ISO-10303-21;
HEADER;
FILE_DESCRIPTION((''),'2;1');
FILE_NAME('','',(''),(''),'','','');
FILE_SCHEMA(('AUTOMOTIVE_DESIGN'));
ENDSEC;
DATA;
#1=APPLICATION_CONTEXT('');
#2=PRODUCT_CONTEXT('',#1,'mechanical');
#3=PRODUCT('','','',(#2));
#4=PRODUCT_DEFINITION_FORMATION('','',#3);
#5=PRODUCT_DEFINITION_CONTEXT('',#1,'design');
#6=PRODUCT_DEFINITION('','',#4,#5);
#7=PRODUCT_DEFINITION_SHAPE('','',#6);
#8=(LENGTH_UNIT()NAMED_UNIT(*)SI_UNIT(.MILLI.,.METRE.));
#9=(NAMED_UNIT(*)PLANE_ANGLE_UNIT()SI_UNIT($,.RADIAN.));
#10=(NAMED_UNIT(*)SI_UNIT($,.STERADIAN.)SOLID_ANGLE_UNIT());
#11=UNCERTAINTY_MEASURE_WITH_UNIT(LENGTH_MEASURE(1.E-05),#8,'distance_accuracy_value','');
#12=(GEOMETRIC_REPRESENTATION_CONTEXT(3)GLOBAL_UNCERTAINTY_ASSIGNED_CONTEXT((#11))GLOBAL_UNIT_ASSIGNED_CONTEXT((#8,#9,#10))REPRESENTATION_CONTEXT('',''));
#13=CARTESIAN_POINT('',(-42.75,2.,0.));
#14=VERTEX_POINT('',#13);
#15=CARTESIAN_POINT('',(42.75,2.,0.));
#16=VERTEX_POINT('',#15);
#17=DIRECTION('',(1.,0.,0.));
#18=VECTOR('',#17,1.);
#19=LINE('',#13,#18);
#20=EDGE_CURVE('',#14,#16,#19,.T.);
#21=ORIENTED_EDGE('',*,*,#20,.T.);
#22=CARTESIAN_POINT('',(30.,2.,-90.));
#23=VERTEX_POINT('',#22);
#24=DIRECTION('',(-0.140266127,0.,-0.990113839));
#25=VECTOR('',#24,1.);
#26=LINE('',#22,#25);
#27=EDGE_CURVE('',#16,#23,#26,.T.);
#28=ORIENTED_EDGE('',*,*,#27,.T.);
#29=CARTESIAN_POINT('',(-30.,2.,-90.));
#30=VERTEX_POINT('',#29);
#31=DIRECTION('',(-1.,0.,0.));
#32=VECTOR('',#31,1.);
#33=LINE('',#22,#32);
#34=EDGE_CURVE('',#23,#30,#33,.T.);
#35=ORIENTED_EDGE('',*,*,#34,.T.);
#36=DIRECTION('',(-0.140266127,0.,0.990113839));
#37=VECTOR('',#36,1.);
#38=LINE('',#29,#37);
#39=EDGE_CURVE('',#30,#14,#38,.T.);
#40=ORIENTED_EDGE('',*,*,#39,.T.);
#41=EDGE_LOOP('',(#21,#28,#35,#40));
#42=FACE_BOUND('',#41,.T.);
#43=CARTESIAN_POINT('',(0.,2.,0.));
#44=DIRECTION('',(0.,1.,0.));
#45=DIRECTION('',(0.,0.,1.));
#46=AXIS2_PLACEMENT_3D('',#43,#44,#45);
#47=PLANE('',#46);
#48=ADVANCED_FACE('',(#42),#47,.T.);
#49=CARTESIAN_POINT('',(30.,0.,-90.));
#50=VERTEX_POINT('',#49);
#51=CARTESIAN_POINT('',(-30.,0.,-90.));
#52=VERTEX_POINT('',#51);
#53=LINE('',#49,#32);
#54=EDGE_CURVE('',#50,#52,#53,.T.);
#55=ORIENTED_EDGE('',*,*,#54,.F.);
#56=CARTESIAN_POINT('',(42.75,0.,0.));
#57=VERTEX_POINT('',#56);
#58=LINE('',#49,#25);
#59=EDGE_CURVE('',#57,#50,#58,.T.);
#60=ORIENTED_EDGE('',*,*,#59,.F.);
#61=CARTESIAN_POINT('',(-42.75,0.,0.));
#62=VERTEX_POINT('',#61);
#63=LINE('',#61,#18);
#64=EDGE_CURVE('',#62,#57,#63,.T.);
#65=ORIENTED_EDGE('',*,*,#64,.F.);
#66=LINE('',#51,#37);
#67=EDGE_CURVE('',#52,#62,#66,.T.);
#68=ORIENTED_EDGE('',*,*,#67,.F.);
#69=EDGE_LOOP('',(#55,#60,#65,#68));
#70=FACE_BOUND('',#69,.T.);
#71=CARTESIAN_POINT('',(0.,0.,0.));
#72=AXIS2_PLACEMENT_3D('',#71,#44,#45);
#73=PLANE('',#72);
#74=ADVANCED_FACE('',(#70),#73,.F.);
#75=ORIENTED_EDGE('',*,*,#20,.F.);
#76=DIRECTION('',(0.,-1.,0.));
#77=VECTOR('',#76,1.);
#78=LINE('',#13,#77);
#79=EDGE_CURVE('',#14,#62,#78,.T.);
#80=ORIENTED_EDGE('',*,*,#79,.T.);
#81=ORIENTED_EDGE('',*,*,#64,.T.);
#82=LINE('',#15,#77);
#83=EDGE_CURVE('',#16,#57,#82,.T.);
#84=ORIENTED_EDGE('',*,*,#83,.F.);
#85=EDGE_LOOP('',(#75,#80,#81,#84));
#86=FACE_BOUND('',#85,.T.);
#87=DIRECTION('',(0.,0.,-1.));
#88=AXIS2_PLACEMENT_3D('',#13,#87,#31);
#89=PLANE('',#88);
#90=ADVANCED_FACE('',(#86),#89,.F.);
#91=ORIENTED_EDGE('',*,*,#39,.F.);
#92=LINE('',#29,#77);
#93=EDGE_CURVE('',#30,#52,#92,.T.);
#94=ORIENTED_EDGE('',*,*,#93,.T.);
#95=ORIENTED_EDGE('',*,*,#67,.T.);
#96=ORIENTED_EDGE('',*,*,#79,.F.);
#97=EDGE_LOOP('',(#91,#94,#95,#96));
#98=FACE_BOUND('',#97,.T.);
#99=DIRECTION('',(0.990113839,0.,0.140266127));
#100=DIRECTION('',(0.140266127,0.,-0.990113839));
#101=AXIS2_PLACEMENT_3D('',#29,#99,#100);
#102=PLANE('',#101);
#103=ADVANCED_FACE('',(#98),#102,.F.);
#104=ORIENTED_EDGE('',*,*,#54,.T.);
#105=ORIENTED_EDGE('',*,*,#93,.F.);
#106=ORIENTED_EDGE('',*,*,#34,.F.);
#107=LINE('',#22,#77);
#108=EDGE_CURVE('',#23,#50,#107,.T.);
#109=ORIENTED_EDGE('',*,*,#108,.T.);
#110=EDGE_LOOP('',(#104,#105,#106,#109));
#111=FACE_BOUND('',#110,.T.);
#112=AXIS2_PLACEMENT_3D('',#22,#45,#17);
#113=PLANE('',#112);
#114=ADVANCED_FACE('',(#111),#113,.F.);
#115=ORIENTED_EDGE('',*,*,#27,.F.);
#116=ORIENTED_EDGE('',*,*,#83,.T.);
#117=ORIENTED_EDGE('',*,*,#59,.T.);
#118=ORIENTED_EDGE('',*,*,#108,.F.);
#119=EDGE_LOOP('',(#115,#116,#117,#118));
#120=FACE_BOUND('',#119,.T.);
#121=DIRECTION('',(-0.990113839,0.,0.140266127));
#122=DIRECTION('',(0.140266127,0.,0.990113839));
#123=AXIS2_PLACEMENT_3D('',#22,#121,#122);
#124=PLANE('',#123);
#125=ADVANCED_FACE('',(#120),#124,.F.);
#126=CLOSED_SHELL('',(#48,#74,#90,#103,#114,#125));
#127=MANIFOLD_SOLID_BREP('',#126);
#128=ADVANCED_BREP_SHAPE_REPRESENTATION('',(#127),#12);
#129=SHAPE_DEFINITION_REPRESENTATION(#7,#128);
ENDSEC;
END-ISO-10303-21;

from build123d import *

# Parameters (mm, degrees)
EXTRUDE_1_DEPTH = 2


with BuildPart() as part:
    # 草图1 → 凸台-拉伸1 (new body)
    with BuildSketch(Plane(origin=(0, 0, 0), x_dir=(1, 0, 0), z_dir=(0, 1, 0))):
        Polygon((30, 90), (-30, 90), (-42.75, 0), (42.75, 0), align=None)
    extrude(amount=EXTRUDE_1_DEPTH)


solid = part.part
